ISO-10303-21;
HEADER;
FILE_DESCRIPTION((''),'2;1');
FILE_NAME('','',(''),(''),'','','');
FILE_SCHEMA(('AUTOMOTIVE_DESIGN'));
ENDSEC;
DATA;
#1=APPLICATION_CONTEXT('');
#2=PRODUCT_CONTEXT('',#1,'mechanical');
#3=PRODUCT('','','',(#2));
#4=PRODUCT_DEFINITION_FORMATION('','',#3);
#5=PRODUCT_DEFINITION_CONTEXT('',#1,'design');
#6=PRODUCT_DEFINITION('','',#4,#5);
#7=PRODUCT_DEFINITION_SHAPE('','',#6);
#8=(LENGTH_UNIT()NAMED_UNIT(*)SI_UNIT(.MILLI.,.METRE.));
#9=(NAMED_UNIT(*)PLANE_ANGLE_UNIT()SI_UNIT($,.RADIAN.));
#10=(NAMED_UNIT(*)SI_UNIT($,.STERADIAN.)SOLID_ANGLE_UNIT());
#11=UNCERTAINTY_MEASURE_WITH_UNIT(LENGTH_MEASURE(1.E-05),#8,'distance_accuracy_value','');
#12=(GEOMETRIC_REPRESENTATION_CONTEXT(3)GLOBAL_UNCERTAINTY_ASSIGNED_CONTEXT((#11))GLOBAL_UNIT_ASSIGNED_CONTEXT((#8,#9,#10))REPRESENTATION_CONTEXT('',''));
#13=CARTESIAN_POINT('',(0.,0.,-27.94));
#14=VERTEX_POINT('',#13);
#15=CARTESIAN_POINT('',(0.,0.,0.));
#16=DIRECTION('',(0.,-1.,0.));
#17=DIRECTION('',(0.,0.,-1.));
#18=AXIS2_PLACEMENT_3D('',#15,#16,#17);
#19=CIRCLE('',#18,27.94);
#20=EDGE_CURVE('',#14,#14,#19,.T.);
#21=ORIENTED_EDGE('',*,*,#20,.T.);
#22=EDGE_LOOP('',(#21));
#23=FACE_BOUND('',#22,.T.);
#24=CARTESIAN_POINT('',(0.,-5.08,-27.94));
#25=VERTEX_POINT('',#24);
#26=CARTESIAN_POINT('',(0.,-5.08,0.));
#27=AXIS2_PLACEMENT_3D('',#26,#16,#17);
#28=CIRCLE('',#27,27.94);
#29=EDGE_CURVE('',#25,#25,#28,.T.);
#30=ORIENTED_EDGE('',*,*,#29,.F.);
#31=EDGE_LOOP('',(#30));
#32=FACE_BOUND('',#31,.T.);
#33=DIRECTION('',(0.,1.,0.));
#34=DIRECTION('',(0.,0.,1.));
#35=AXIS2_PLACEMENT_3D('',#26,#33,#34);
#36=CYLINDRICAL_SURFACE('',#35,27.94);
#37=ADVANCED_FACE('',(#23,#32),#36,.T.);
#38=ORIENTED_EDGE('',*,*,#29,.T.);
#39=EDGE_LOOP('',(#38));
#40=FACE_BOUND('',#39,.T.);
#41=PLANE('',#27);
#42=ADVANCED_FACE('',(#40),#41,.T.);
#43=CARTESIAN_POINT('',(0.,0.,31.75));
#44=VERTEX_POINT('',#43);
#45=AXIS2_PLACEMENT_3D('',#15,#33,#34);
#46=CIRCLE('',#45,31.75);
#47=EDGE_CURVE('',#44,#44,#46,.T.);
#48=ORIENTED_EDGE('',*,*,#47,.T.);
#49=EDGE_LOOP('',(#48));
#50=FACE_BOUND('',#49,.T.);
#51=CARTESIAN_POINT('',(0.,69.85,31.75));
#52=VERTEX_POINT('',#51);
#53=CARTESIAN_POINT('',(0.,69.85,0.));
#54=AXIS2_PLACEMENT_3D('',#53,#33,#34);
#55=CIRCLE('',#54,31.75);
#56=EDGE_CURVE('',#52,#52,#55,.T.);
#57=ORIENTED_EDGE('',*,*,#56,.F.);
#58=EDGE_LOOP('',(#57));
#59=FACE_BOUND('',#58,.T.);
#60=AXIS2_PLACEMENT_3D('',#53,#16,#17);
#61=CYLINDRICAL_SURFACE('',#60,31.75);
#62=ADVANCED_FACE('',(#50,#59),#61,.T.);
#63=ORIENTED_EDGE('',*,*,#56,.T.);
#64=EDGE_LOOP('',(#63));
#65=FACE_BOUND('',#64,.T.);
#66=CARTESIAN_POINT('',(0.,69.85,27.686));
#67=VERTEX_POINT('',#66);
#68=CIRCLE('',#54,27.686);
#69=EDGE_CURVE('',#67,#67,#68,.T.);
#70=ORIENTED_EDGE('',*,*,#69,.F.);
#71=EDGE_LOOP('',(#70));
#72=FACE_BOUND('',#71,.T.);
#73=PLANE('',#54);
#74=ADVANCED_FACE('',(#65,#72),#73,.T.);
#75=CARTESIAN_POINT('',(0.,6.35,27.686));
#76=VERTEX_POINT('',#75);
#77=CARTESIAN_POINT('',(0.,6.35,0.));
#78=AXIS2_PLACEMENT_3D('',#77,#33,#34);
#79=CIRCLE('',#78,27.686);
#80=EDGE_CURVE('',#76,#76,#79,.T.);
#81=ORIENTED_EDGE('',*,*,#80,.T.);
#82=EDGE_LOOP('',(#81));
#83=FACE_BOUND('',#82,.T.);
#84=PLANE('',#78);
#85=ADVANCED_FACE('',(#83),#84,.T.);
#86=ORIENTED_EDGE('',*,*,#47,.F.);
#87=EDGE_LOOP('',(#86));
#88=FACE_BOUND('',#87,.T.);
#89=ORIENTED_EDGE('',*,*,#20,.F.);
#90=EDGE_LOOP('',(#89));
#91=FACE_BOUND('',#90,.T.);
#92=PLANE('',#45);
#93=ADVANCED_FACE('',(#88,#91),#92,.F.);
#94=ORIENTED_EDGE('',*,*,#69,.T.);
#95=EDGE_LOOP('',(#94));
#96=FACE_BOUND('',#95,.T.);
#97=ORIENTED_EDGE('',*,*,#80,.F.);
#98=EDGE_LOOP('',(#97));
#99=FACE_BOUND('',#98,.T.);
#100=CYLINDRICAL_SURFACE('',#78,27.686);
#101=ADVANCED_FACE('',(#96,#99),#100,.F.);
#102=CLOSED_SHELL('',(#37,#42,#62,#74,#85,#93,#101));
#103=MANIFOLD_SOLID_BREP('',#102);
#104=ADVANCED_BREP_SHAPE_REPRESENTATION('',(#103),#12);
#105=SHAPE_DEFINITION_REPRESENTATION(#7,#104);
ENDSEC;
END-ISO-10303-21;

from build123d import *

# Parameters (mm, degrees)
SKETCH1_R           = 31.75
BOSS_EXTRUDE1_DEPTH = 69.85
SKETCH2_R           = 27.686
CUT_EXTRUDE1_DEPTH  = 63.5
SKETCH3_R           = 27.94
BOSS_EXTRUDE2_DEPTH = 5.08


with BuildPart() as part:
    # Sketch1 → Boss-Extrude1 (new body)
    with BuildSketch(Plane(origin=(0, 0, 0), x_dir=(1, 0, 0), z_dir=(0, 1, 0))):
        with Locations(Location((0, 0, 0), (0, 0, 270))):
            Circle(SKETCH1_R)
    extrude(amount=BOSS_EXTRUDE1_DEPTH)

    # Sketch2 → Cut-Extrude1 (cut)
    with BuildSketch(Plane(origin=(0, 69.85, 0), x_dir=(1, 0, 0), z_dir=(0, 1, 0))):
        with Locations(Location((0, 0, 0), (0, 0, 270))):
            Circle(SKETCH2_R)
    extrude(amount=-CUT_EXTRUDE1_DEPTH, mode=Mode.SUBTRACT)

    # Sketch3 → Boss-Extrude2 (add)
    with BuildSketch(Plane.XZ):
        with Locations(Location((0, 0, 0), (0, 0, 270))):
            Circle(SKETCH3_R)
    extrude(amount=BOSS_EXTRUDE2_DEPTH)


solid = part.part
